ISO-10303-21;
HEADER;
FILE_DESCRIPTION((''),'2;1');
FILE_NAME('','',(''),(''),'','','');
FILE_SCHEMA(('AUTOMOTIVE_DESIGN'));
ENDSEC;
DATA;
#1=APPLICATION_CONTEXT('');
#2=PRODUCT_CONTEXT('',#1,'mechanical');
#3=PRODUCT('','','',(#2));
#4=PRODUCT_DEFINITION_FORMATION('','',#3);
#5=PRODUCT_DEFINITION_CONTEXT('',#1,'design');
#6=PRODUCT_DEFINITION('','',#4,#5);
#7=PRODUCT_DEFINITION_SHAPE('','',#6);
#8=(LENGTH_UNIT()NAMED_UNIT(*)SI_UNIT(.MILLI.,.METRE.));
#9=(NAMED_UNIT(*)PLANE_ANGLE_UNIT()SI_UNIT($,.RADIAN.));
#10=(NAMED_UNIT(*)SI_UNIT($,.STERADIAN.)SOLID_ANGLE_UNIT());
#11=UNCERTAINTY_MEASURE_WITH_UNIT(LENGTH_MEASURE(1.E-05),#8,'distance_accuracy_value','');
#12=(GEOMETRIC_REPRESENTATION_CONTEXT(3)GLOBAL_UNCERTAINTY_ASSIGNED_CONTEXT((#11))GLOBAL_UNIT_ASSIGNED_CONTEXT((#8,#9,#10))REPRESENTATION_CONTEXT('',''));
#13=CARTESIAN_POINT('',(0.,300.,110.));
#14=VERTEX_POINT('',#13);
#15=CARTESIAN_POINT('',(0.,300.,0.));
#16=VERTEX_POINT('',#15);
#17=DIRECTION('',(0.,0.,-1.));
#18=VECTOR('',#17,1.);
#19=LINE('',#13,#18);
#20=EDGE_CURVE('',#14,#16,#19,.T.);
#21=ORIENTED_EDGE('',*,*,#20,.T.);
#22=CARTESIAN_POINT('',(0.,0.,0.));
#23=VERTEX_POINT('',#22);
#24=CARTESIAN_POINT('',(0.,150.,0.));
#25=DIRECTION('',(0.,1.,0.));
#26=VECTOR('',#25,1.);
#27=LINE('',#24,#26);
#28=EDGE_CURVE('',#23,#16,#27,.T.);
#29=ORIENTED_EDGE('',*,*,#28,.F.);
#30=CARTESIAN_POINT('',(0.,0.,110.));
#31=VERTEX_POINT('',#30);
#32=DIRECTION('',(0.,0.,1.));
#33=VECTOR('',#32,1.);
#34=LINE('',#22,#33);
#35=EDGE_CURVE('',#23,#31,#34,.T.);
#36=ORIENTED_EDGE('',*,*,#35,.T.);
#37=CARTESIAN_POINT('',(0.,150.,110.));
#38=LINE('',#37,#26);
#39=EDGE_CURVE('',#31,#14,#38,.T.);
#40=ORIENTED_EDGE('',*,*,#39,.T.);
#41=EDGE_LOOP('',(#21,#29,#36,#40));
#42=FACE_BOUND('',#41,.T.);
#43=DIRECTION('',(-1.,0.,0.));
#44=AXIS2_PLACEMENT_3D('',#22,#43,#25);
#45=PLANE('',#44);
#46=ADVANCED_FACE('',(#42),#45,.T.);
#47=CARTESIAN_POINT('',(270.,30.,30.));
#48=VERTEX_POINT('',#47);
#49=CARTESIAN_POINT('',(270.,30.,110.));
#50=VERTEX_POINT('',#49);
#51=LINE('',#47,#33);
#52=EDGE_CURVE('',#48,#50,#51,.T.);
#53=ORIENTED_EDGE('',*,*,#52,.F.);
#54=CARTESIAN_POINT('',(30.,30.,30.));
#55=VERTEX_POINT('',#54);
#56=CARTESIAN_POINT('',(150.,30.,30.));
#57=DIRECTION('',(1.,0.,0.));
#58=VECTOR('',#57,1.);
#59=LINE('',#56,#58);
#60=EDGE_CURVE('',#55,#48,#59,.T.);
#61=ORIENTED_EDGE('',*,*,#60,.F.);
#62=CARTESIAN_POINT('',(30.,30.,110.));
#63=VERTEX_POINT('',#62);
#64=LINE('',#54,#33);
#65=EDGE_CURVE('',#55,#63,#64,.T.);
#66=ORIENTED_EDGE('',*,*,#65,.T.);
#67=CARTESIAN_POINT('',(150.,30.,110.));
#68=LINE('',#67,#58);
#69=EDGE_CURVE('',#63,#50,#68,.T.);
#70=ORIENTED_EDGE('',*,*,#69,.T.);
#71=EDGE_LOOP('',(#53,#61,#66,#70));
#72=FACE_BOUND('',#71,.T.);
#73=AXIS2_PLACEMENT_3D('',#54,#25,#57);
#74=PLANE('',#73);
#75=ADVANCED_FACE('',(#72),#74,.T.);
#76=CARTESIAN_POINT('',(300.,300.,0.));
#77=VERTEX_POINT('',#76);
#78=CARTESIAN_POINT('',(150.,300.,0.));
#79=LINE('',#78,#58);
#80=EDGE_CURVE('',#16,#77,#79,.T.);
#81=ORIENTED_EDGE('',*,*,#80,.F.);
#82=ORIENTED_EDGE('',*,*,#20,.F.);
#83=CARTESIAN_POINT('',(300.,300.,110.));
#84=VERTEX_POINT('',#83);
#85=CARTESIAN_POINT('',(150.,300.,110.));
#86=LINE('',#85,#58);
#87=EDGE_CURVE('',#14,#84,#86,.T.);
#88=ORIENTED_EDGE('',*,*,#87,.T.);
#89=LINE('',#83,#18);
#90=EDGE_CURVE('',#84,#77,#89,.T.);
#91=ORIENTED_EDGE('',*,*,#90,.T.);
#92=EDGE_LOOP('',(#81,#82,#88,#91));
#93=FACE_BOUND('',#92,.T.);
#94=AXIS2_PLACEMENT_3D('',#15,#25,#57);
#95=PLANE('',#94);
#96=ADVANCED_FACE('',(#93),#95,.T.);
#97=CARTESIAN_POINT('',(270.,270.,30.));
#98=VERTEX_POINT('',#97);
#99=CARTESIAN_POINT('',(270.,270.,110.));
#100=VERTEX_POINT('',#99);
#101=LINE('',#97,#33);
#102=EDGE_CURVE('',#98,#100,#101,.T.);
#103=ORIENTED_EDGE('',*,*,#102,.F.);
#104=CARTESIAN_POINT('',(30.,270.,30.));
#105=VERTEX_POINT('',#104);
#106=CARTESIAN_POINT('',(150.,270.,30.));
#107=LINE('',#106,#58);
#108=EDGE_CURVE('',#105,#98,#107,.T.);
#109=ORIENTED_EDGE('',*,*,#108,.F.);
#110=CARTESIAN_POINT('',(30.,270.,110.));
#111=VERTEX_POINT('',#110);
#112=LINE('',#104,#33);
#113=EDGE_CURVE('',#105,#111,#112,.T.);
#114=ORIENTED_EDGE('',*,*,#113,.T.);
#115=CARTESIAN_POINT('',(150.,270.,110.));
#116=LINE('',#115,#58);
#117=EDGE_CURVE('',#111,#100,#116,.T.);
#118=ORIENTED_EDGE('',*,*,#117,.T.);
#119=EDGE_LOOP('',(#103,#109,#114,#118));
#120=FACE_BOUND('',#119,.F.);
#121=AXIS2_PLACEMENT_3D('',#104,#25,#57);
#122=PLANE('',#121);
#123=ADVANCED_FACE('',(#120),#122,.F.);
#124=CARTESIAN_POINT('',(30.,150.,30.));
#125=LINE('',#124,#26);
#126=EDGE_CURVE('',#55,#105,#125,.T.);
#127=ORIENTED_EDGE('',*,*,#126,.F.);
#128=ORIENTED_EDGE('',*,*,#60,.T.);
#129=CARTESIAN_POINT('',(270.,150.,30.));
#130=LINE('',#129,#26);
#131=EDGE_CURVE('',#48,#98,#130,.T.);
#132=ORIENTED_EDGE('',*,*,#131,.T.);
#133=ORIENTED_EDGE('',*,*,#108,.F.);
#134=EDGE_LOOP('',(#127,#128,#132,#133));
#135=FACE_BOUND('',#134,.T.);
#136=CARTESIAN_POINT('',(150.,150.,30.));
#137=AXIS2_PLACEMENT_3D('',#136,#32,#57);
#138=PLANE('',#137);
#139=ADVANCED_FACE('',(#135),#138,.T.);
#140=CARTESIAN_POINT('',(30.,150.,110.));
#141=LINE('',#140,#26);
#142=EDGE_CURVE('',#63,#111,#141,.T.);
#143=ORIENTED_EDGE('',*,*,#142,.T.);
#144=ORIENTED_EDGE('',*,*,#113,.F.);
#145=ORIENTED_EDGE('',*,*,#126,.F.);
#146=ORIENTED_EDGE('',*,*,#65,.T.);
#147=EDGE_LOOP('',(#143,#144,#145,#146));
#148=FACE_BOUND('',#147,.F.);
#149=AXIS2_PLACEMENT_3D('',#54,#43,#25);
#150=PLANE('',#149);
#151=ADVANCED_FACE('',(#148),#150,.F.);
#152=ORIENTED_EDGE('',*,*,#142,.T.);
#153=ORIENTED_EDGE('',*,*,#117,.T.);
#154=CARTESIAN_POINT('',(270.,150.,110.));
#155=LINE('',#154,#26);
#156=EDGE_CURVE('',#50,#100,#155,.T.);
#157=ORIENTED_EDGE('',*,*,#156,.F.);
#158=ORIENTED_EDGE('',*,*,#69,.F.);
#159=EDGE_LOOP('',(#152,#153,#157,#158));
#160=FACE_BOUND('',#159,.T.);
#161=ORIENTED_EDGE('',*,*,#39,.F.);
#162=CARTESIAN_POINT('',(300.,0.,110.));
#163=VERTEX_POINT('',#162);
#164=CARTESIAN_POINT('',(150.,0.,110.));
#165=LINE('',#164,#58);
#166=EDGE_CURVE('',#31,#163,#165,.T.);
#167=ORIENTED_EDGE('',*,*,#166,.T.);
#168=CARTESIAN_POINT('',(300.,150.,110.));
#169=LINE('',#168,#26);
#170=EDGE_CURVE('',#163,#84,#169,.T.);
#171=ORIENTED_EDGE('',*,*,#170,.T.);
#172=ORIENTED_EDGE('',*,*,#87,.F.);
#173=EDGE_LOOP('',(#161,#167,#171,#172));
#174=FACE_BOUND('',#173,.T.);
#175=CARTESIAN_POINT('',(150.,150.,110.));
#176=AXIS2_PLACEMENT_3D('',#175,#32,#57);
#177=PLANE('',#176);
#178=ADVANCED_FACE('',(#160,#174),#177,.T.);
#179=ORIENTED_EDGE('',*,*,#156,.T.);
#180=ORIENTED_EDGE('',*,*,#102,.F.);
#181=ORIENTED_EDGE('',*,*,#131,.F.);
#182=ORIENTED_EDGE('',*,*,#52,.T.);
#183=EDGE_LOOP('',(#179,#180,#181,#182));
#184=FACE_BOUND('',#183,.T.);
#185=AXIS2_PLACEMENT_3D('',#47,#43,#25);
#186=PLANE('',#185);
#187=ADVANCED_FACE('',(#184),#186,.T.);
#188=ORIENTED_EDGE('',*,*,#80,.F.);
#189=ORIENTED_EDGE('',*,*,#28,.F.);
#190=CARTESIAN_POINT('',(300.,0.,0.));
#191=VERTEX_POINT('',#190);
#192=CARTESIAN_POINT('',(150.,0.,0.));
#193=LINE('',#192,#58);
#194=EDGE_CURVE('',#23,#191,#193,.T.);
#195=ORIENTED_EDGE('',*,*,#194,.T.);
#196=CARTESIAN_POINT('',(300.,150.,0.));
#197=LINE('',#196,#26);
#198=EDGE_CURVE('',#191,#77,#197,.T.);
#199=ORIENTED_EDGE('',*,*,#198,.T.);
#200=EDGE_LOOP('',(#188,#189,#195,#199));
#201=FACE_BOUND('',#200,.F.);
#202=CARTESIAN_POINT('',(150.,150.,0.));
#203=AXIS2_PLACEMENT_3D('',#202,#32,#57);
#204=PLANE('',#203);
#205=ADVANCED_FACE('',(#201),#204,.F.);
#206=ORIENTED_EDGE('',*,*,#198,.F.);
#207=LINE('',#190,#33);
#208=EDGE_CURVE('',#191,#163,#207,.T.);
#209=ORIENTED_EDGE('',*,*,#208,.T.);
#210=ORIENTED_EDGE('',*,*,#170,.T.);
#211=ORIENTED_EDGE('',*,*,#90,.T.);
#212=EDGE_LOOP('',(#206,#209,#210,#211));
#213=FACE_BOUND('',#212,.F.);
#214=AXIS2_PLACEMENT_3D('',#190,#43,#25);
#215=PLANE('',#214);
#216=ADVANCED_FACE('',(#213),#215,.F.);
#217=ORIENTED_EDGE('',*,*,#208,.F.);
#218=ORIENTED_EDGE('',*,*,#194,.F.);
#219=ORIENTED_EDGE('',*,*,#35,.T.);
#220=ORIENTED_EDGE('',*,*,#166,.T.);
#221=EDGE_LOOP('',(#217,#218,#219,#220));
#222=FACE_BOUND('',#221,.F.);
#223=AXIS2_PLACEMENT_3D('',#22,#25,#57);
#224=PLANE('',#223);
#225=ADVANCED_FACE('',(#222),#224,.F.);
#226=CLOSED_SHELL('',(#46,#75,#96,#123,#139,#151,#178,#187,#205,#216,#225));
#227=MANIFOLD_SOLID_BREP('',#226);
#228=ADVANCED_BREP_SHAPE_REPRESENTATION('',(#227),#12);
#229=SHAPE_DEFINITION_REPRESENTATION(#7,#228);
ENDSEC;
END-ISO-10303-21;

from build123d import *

# Parameters (mm, degrees)
SKETCH_W      = 300
SKETCH_H      = 300
PAD_DEPTH     = 30
SKETCH001_W   = 300
SKETCH001_H   = 300
SKETCH001_W_2 = 240
SKETCH001_H_2 = 240
PAD001_DEPTH  = 80


with BuildPart() as body:
    # Sketch → Pad (new body)
    with BuildSketch(Plane.XY):
        with Locations((150, 150)):
            Rectangle(SKETCH_W, SKETCH_H)
    extrude(amount=PAD_DEPTH)


with BuildPart() as body001:
    # Sketch001 (on Face6 of Pad) → Pad001 (new body)
    with BuildSketch(Plane.XY.offset(30)):
        with Locations((150, 150)):
            Rectangle(SKETCH001_W, SKETCH001_H)
        with Locations((150, 150)):
            Rectangle(SKETCH001_W_2, SKETCH001_H_2, mode=Mode.SUBTRACT)
    extrude(amount=PAD001_DEPTH)

    # Boolean: union Body
    add(body.part)


solid = body001.part
